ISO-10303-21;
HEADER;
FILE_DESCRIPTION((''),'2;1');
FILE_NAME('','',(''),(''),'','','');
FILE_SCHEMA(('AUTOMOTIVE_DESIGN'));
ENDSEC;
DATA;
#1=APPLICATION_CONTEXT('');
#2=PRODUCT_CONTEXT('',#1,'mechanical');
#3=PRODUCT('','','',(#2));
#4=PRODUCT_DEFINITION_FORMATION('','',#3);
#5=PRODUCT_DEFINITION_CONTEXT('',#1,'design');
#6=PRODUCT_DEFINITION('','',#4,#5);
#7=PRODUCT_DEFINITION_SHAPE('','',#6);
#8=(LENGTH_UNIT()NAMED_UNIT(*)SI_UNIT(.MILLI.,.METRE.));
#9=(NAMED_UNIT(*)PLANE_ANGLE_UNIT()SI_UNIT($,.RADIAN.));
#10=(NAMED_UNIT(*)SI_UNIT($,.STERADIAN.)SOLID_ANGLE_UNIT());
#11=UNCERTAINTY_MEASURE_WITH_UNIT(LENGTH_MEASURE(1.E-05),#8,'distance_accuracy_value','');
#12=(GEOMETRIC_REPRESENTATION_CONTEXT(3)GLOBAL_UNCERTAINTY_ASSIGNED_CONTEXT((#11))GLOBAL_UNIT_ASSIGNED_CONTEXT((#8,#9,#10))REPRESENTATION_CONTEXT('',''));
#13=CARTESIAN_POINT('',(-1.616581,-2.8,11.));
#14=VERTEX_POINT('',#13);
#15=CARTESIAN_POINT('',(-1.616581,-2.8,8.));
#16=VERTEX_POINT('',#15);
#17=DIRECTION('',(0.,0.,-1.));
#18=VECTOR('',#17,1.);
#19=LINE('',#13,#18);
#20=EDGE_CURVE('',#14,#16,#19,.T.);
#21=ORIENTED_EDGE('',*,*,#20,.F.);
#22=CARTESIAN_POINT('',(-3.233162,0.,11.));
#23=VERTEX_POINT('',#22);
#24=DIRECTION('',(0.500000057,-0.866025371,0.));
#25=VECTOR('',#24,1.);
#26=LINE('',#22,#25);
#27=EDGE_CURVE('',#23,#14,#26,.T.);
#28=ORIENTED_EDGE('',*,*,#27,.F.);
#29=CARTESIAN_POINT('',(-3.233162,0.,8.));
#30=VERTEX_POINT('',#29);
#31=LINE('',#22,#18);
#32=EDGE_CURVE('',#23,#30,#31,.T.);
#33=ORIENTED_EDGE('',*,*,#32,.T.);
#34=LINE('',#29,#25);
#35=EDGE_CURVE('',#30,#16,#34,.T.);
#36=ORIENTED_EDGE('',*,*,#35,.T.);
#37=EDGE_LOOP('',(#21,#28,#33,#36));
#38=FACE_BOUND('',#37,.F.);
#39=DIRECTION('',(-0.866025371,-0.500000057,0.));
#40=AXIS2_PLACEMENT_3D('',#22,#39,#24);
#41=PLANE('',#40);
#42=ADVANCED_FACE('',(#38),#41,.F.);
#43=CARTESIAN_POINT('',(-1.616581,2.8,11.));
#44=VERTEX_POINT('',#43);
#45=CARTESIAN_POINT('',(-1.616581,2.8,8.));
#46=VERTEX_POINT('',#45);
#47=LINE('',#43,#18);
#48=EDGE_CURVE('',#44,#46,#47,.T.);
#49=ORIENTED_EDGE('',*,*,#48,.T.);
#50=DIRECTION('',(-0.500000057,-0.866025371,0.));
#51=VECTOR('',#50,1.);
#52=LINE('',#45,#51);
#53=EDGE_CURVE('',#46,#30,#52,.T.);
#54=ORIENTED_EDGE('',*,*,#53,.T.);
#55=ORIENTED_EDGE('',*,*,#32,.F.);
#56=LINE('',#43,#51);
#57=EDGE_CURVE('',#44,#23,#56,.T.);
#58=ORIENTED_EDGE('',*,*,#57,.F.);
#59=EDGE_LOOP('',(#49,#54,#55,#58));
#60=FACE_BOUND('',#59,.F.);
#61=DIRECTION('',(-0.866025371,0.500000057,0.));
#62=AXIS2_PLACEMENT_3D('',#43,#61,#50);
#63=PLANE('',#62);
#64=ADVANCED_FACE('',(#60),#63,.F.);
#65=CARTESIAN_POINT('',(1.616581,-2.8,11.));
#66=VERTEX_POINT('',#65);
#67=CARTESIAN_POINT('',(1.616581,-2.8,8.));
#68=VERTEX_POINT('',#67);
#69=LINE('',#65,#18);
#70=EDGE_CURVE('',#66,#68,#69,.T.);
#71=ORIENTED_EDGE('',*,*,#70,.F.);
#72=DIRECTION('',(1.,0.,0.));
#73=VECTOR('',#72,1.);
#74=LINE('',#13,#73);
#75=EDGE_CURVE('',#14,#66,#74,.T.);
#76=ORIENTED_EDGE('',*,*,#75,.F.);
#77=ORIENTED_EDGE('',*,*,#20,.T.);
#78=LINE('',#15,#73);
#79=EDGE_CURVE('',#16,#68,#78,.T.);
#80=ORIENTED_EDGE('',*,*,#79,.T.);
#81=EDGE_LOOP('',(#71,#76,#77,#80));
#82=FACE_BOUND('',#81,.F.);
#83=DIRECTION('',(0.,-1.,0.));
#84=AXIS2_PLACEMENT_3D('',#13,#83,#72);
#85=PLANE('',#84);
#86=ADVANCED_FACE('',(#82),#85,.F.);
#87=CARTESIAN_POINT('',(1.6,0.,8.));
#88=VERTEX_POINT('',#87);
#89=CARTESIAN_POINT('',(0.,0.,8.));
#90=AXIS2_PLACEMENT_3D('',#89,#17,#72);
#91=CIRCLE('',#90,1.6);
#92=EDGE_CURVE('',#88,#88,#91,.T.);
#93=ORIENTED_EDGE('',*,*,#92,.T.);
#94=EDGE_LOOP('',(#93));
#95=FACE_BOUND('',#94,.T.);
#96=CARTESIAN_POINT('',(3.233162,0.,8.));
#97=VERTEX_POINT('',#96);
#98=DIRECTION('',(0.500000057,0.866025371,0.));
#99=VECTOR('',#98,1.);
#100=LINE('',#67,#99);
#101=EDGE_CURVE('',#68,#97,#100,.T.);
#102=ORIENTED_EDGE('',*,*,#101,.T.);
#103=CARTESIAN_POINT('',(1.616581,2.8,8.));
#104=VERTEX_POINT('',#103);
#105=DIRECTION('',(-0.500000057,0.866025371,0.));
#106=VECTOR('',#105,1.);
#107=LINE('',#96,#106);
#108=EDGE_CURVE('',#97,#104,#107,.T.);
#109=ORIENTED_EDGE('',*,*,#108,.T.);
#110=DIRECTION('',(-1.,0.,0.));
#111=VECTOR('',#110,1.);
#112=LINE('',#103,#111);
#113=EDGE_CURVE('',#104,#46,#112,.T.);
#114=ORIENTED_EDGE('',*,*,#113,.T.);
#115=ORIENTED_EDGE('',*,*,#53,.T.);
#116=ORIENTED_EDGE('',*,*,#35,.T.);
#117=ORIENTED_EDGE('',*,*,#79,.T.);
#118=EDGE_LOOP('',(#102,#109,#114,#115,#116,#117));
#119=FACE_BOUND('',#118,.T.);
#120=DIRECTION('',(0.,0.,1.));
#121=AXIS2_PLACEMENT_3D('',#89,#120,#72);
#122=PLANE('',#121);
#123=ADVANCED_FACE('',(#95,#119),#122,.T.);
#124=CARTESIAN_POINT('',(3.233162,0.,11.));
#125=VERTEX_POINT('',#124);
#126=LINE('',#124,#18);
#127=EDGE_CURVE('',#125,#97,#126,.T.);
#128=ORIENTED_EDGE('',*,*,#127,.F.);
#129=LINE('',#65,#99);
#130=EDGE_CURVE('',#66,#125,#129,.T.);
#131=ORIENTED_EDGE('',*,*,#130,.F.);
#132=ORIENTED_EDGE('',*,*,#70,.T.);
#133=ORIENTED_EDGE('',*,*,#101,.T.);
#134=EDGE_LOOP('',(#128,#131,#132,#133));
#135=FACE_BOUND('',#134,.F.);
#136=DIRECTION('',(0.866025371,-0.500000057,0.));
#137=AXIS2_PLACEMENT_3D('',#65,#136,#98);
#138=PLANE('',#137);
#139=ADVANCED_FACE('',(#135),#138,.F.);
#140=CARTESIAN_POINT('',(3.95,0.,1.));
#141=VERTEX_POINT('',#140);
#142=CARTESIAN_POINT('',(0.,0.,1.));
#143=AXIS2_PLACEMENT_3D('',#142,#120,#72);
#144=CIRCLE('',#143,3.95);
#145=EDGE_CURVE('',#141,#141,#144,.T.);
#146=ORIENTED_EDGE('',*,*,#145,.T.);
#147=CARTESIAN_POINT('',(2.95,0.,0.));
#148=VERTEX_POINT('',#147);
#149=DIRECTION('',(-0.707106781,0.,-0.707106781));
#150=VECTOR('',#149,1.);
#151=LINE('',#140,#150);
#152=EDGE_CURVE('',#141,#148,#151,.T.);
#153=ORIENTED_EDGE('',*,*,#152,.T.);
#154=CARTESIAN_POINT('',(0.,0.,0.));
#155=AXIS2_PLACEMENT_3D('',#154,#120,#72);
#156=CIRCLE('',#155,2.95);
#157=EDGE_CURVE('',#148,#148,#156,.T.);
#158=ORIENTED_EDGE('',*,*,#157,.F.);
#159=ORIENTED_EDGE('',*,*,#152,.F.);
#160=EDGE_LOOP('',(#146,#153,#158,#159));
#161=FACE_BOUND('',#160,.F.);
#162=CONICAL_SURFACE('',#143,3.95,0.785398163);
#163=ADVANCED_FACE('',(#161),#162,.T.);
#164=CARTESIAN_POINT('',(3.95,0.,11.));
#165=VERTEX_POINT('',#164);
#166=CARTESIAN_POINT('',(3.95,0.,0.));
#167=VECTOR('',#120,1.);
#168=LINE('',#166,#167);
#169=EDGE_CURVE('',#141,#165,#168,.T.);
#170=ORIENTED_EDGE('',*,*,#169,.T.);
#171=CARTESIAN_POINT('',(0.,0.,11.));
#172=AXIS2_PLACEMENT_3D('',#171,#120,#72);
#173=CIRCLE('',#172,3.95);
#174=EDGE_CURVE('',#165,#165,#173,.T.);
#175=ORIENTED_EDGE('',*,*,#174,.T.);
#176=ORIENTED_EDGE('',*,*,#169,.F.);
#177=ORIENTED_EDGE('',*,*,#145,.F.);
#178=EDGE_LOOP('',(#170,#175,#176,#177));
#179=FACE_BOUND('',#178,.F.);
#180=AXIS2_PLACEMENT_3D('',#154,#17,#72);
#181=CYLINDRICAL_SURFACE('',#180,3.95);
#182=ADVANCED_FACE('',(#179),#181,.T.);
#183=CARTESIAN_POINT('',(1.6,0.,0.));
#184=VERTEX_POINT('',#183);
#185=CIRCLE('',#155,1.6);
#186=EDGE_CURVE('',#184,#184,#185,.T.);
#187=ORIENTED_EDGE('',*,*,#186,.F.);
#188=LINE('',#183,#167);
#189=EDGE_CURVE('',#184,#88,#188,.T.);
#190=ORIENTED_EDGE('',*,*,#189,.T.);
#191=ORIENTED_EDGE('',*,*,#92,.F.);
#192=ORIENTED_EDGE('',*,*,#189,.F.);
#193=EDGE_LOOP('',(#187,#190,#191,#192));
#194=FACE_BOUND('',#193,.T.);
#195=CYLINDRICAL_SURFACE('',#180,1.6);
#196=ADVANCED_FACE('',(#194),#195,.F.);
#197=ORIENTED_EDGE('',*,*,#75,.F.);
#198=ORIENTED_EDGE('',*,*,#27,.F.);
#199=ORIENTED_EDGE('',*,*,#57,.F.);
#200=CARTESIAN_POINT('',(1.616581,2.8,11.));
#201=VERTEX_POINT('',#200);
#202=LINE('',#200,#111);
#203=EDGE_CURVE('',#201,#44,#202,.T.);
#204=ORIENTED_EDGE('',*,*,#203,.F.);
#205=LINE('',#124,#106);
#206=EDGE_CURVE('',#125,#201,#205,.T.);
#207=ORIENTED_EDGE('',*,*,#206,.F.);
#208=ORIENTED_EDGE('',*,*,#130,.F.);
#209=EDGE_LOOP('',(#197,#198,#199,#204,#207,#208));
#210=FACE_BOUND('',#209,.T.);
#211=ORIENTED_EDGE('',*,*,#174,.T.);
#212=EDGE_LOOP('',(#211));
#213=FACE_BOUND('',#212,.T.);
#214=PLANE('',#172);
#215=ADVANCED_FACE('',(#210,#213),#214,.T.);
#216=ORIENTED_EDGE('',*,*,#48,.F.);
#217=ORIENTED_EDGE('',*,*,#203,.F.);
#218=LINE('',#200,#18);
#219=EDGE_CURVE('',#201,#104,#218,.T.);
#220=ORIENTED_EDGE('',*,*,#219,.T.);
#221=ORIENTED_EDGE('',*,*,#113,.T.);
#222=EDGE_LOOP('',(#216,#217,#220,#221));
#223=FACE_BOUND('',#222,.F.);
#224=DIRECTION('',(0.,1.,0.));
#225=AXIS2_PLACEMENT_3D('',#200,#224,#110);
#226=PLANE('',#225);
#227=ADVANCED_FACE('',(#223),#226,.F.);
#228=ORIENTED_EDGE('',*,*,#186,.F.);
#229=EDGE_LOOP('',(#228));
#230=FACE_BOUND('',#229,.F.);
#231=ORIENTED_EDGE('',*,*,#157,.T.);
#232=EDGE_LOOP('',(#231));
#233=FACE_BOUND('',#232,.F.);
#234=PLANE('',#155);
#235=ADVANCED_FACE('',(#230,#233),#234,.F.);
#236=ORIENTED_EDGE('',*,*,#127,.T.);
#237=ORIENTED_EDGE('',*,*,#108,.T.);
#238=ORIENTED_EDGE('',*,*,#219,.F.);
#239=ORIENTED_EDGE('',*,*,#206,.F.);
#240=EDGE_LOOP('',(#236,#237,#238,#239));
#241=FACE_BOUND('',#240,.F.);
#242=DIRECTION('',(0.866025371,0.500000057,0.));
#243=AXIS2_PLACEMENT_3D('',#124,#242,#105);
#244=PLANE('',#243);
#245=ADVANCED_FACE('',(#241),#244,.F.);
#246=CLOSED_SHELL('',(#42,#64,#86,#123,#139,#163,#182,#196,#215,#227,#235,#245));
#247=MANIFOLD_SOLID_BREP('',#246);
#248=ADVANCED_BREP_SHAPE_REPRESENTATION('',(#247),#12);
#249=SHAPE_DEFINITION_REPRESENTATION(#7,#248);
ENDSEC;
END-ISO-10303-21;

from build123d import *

# Parameters (mm, degrees)
SKETCH_R     = 3.95
SKETCH_R_2   = 1.6
PAD_DEPTH    = 11
CHAMFER_SIZE = 1
POCKET_DEPTH = 3


with BuildPart() as part:
    # Sketch → Pad (new body)
    with BuildSketch(Plane.XY):
        Circle(SKETCH_R)
        Circle(SKETCH_R_2, mode=Mode.SUBTRACT)
    extrude(amount=PAD_DEPTH)

    # Chamfer
    chamfer_edges = [part.edges().sort_by_distance(p)[0] for p in [
        (-3.95, 0, 0),
    ]]
    chamfer(chamfer_edges, length=CHAMFER_SIZE)

    # Sketch001 (on Face3 of Chamfer) → Pocket (cut)
    with BuildSketch(Plane.XY.offset(11)):
        Polygon((1.616581, 2.8), (-1.616581, 2.8), (-3.233162, 0), (-1.616581, -2.8), (1.616581, -2.8), (3.233162, 0), align=None)
    extrude(amount=-POCKET_DEPTH, mode=Mode.SUBTRACT)


solid = part.part
